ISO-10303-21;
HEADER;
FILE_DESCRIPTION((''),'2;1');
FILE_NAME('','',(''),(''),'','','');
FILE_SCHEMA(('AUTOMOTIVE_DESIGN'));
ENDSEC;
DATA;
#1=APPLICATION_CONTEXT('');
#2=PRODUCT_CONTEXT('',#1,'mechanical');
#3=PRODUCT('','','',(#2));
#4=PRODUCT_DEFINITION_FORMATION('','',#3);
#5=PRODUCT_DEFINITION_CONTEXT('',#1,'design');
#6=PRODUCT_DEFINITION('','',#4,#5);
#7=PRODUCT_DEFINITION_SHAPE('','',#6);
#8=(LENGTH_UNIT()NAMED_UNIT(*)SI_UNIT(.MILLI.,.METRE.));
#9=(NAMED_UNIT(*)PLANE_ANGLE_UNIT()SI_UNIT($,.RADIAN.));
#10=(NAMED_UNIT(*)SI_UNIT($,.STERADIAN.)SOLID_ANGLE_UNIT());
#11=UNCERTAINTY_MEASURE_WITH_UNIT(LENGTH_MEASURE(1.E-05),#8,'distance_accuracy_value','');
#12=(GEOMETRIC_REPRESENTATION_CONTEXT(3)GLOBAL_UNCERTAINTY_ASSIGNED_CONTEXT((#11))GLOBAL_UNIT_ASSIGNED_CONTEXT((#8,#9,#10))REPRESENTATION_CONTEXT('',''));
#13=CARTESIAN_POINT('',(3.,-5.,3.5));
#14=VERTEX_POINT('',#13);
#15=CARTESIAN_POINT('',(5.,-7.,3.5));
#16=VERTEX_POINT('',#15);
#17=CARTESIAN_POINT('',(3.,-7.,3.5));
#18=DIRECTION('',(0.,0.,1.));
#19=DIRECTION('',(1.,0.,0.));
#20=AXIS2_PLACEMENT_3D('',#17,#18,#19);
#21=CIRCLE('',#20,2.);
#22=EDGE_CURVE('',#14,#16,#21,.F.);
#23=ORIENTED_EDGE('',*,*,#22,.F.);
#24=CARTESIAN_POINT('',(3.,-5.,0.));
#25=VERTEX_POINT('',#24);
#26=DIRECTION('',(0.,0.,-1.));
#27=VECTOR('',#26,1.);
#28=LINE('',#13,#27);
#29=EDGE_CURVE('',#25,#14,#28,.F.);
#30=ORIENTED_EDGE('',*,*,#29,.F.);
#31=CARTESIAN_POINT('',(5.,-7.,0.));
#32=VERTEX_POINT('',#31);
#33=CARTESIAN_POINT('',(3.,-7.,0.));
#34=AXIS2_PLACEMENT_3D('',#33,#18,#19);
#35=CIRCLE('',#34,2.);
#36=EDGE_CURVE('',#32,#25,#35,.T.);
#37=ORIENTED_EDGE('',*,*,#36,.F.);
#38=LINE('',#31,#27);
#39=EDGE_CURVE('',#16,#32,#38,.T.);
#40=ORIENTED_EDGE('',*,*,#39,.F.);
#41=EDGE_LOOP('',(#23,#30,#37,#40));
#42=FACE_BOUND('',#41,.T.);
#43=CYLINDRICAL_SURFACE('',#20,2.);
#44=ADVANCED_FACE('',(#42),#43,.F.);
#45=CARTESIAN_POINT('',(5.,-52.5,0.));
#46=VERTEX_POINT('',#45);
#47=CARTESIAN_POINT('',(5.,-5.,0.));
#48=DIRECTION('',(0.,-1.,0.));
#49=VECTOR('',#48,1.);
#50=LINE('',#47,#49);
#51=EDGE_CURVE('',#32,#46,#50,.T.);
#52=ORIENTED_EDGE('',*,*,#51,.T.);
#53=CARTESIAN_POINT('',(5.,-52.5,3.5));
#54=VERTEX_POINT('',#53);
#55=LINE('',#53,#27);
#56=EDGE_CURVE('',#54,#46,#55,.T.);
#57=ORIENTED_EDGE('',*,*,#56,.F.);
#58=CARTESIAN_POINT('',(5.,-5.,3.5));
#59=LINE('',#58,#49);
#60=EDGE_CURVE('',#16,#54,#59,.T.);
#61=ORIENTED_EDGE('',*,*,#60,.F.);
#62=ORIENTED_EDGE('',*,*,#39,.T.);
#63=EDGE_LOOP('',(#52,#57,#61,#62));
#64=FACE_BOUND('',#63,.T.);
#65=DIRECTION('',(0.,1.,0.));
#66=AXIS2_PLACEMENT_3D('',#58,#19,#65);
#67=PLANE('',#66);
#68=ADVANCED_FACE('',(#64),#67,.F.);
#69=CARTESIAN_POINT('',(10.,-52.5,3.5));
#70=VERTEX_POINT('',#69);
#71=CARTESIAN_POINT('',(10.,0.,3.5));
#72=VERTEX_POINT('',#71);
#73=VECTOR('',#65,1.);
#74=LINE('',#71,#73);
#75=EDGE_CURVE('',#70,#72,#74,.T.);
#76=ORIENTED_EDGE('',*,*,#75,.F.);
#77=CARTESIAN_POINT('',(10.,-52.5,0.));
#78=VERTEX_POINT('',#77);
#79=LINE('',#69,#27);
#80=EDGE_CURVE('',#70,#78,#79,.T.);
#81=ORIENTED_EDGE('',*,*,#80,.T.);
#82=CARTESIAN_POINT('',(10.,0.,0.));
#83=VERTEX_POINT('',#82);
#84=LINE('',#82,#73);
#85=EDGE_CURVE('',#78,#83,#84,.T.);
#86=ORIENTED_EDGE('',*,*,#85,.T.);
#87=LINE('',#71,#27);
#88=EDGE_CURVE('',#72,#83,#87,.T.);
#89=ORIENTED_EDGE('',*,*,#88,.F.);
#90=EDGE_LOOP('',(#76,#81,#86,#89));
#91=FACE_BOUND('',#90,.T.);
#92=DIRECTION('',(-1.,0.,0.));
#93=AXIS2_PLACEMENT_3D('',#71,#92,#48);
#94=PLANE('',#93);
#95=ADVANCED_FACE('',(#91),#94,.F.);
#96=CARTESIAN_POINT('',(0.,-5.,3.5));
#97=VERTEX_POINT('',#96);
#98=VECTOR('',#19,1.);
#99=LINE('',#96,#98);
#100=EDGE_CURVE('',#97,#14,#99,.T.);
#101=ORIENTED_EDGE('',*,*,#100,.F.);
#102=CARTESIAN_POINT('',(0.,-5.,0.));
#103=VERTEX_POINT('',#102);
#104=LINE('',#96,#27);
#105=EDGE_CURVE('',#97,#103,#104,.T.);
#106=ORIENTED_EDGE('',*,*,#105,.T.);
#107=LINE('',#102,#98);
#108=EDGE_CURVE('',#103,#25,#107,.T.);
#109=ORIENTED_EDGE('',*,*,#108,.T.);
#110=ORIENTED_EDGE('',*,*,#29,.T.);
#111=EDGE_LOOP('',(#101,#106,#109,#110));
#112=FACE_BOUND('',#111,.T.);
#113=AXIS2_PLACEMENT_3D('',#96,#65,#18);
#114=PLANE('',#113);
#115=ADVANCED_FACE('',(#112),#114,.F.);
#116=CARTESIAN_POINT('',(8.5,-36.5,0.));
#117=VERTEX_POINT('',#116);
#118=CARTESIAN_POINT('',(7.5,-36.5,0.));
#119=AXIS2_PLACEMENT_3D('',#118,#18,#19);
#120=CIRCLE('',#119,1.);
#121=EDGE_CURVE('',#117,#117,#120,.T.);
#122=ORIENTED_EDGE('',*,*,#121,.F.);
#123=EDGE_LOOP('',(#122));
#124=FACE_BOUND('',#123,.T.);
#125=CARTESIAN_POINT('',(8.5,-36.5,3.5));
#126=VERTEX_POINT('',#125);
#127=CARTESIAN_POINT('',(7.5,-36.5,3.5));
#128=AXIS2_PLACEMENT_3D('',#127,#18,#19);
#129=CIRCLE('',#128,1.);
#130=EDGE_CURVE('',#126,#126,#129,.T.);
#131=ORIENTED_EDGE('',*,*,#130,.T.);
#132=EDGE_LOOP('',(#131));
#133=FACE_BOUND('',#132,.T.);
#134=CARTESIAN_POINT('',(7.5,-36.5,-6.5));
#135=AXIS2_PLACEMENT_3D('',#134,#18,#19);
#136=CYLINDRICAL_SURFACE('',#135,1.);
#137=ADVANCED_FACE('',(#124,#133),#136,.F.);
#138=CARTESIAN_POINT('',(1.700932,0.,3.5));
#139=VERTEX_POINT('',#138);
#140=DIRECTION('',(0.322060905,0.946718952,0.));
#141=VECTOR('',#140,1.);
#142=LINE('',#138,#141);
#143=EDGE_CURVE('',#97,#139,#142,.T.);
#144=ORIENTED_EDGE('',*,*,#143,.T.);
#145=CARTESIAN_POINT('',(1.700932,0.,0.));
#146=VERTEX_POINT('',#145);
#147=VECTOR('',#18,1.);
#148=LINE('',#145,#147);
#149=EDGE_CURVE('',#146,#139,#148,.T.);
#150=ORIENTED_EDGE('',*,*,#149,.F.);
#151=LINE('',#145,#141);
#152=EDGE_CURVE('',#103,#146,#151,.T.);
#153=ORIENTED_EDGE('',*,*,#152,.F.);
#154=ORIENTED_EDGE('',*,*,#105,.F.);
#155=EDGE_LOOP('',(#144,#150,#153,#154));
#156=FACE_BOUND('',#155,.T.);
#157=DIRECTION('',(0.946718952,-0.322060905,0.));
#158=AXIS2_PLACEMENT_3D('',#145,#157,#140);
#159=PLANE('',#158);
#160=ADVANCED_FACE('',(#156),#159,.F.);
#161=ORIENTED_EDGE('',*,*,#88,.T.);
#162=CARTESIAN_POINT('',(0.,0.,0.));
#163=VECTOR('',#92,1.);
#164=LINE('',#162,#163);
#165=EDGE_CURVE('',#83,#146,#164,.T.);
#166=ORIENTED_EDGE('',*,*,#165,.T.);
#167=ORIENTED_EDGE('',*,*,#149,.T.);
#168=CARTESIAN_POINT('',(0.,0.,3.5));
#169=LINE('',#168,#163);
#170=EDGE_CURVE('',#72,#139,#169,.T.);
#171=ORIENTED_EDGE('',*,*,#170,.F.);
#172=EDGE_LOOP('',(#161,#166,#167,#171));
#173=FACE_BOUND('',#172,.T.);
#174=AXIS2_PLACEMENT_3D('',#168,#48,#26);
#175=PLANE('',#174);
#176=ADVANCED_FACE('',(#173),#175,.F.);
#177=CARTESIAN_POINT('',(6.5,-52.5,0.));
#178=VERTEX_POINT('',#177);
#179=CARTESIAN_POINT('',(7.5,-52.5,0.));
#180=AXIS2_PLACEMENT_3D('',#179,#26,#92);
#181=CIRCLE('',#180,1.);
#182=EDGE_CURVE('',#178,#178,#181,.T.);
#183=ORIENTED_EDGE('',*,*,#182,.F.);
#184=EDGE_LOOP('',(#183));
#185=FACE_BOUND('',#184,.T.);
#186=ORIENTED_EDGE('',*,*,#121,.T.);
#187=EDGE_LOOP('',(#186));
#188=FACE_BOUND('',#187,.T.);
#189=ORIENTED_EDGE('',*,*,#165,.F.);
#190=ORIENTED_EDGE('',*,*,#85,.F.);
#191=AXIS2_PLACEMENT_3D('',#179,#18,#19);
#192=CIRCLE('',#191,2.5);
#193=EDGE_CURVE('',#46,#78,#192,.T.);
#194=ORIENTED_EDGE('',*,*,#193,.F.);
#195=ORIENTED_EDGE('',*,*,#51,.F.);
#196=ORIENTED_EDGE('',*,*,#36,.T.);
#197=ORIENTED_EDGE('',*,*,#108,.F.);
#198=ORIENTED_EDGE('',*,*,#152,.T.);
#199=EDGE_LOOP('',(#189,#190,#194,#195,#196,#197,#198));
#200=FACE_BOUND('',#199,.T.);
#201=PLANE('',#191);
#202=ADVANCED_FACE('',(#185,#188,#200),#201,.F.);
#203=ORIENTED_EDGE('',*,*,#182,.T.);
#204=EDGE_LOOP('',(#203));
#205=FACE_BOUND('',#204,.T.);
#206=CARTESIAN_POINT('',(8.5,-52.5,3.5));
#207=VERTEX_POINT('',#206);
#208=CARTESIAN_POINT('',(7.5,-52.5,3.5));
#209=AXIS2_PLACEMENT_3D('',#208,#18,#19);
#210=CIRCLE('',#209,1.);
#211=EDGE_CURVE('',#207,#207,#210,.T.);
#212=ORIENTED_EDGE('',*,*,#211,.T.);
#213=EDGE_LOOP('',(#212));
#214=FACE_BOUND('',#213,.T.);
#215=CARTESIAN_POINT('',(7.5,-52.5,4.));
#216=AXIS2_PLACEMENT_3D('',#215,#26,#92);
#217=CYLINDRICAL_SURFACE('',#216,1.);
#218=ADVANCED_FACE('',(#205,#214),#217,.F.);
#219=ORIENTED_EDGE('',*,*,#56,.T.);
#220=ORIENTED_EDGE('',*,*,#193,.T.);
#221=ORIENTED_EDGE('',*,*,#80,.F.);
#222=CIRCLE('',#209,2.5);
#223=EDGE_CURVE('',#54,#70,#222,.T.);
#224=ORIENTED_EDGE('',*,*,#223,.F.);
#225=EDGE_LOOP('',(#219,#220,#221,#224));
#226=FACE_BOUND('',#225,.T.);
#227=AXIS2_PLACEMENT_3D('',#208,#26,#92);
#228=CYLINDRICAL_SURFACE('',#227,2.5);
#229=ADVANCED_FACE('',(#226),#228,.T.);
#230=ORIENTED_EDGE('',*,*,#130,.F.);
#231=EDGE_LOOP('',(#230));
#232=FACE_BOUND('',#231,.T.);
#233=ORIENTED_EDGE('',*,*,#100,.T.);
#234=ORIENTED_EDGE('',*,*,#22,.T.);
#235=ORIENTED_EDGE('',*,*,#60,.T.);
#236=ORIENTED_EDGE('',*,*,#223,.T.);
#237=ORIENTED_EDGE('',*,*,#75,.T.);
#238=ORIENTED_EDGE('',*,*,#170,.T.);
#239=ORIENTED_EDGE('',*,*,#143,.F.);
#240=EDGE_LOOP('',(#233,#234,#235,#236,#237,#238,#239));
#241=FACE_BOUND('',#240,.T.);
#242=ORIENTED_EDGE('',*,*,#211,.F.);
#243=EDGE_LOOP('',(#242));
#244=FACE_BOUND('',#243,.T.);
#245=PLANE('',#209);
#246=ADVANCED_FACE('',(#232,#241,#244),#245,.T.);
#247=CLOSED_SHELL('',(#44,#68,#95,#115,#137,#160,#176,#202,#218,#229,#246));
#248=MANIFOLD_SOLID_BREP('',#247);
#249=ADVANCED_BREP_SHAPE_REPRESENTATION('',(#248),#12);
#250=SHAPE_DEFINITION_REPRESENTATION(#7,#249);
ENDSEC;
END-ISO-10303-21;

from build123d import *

# Parameters (mm, degrees)
BOSS_EXTRU_1_DEPTH      = 3.5
ESQUISSE3_R             = 1
ENL_V_MAT_EXTRU_1_DEPTH = 4
ESQUISSE4_R             = 1
ENL_V_MAT_EXTRU_2_DEPTH = 10
ENL_V_MAT_EXTRU_3_DEPTH = 57.011159602
CONG_1_R                = 2


with BuildPart() as part:
    # Esquisse1 → Boss.-Extru.1 (new body)
    with BuildSketch(Plane.XY):
        with BuildLine():
            Line((0, 0), (10, 0))
            Line((10, 0), (10, -52.5))
            ThreePointArc((10, -52.5), (7.5, -55), (5, -52.5))
            Line((5, -52.5), (5, -5))
            Line((5, -5), (0, -5))
            Line((0, -5), (0, 0))
        make_face()
    extrude(amount=BOSS_EXTRU_1_DEPTH)

    # Esquisse3 → Enlèv. mat.-Extru.1 (cut)
    with BuildSketch(Plane(origin=(0, 0, 0), x_dir=(-1, 0, 0), z_dir=(0, 0, -1))):
        with Locations((-7.5, -52.5)):
            Circle(ESQUISSE3_R)
    extrude(amount=-ENL_V_MAT_EXTRU_1_DEPTH, mode=Mode.SUBTRACT)

    # Esquisse4 → Enlèv. mat.-Extru.2 (cut)
    with BuildSketch(Plane.XY.offset(3.5)):
        with Locations((7.5, -36.5)):
            Circle(ESQUISSE4_R)
    extrude(amount=-ENL_V_MAT_EXTRU_2_DEPTH, mode=Mode.SUBTRACT)

    # Esquisse5 → Enlèv. mat.-Extru.3 (cut, through all)
    with BuildSketch(Plane.XY.offset(3.5)):
        Polygon((0, 0), (1.700931961, 0), (0, -5), align=None)
    extrude(amount=-ENL_V_MAT_EXTRU_3_DEPTH, mode=Mode.SUBTRACT)

    # Congé1
    cong_1_edges = [part.edges().sort_by_distance(p)[0] for p in [
        (5, -5, 1.75),
    ]]
    fillet(cong_1_edges, radius=CONG_1_R)


solid = part.part
